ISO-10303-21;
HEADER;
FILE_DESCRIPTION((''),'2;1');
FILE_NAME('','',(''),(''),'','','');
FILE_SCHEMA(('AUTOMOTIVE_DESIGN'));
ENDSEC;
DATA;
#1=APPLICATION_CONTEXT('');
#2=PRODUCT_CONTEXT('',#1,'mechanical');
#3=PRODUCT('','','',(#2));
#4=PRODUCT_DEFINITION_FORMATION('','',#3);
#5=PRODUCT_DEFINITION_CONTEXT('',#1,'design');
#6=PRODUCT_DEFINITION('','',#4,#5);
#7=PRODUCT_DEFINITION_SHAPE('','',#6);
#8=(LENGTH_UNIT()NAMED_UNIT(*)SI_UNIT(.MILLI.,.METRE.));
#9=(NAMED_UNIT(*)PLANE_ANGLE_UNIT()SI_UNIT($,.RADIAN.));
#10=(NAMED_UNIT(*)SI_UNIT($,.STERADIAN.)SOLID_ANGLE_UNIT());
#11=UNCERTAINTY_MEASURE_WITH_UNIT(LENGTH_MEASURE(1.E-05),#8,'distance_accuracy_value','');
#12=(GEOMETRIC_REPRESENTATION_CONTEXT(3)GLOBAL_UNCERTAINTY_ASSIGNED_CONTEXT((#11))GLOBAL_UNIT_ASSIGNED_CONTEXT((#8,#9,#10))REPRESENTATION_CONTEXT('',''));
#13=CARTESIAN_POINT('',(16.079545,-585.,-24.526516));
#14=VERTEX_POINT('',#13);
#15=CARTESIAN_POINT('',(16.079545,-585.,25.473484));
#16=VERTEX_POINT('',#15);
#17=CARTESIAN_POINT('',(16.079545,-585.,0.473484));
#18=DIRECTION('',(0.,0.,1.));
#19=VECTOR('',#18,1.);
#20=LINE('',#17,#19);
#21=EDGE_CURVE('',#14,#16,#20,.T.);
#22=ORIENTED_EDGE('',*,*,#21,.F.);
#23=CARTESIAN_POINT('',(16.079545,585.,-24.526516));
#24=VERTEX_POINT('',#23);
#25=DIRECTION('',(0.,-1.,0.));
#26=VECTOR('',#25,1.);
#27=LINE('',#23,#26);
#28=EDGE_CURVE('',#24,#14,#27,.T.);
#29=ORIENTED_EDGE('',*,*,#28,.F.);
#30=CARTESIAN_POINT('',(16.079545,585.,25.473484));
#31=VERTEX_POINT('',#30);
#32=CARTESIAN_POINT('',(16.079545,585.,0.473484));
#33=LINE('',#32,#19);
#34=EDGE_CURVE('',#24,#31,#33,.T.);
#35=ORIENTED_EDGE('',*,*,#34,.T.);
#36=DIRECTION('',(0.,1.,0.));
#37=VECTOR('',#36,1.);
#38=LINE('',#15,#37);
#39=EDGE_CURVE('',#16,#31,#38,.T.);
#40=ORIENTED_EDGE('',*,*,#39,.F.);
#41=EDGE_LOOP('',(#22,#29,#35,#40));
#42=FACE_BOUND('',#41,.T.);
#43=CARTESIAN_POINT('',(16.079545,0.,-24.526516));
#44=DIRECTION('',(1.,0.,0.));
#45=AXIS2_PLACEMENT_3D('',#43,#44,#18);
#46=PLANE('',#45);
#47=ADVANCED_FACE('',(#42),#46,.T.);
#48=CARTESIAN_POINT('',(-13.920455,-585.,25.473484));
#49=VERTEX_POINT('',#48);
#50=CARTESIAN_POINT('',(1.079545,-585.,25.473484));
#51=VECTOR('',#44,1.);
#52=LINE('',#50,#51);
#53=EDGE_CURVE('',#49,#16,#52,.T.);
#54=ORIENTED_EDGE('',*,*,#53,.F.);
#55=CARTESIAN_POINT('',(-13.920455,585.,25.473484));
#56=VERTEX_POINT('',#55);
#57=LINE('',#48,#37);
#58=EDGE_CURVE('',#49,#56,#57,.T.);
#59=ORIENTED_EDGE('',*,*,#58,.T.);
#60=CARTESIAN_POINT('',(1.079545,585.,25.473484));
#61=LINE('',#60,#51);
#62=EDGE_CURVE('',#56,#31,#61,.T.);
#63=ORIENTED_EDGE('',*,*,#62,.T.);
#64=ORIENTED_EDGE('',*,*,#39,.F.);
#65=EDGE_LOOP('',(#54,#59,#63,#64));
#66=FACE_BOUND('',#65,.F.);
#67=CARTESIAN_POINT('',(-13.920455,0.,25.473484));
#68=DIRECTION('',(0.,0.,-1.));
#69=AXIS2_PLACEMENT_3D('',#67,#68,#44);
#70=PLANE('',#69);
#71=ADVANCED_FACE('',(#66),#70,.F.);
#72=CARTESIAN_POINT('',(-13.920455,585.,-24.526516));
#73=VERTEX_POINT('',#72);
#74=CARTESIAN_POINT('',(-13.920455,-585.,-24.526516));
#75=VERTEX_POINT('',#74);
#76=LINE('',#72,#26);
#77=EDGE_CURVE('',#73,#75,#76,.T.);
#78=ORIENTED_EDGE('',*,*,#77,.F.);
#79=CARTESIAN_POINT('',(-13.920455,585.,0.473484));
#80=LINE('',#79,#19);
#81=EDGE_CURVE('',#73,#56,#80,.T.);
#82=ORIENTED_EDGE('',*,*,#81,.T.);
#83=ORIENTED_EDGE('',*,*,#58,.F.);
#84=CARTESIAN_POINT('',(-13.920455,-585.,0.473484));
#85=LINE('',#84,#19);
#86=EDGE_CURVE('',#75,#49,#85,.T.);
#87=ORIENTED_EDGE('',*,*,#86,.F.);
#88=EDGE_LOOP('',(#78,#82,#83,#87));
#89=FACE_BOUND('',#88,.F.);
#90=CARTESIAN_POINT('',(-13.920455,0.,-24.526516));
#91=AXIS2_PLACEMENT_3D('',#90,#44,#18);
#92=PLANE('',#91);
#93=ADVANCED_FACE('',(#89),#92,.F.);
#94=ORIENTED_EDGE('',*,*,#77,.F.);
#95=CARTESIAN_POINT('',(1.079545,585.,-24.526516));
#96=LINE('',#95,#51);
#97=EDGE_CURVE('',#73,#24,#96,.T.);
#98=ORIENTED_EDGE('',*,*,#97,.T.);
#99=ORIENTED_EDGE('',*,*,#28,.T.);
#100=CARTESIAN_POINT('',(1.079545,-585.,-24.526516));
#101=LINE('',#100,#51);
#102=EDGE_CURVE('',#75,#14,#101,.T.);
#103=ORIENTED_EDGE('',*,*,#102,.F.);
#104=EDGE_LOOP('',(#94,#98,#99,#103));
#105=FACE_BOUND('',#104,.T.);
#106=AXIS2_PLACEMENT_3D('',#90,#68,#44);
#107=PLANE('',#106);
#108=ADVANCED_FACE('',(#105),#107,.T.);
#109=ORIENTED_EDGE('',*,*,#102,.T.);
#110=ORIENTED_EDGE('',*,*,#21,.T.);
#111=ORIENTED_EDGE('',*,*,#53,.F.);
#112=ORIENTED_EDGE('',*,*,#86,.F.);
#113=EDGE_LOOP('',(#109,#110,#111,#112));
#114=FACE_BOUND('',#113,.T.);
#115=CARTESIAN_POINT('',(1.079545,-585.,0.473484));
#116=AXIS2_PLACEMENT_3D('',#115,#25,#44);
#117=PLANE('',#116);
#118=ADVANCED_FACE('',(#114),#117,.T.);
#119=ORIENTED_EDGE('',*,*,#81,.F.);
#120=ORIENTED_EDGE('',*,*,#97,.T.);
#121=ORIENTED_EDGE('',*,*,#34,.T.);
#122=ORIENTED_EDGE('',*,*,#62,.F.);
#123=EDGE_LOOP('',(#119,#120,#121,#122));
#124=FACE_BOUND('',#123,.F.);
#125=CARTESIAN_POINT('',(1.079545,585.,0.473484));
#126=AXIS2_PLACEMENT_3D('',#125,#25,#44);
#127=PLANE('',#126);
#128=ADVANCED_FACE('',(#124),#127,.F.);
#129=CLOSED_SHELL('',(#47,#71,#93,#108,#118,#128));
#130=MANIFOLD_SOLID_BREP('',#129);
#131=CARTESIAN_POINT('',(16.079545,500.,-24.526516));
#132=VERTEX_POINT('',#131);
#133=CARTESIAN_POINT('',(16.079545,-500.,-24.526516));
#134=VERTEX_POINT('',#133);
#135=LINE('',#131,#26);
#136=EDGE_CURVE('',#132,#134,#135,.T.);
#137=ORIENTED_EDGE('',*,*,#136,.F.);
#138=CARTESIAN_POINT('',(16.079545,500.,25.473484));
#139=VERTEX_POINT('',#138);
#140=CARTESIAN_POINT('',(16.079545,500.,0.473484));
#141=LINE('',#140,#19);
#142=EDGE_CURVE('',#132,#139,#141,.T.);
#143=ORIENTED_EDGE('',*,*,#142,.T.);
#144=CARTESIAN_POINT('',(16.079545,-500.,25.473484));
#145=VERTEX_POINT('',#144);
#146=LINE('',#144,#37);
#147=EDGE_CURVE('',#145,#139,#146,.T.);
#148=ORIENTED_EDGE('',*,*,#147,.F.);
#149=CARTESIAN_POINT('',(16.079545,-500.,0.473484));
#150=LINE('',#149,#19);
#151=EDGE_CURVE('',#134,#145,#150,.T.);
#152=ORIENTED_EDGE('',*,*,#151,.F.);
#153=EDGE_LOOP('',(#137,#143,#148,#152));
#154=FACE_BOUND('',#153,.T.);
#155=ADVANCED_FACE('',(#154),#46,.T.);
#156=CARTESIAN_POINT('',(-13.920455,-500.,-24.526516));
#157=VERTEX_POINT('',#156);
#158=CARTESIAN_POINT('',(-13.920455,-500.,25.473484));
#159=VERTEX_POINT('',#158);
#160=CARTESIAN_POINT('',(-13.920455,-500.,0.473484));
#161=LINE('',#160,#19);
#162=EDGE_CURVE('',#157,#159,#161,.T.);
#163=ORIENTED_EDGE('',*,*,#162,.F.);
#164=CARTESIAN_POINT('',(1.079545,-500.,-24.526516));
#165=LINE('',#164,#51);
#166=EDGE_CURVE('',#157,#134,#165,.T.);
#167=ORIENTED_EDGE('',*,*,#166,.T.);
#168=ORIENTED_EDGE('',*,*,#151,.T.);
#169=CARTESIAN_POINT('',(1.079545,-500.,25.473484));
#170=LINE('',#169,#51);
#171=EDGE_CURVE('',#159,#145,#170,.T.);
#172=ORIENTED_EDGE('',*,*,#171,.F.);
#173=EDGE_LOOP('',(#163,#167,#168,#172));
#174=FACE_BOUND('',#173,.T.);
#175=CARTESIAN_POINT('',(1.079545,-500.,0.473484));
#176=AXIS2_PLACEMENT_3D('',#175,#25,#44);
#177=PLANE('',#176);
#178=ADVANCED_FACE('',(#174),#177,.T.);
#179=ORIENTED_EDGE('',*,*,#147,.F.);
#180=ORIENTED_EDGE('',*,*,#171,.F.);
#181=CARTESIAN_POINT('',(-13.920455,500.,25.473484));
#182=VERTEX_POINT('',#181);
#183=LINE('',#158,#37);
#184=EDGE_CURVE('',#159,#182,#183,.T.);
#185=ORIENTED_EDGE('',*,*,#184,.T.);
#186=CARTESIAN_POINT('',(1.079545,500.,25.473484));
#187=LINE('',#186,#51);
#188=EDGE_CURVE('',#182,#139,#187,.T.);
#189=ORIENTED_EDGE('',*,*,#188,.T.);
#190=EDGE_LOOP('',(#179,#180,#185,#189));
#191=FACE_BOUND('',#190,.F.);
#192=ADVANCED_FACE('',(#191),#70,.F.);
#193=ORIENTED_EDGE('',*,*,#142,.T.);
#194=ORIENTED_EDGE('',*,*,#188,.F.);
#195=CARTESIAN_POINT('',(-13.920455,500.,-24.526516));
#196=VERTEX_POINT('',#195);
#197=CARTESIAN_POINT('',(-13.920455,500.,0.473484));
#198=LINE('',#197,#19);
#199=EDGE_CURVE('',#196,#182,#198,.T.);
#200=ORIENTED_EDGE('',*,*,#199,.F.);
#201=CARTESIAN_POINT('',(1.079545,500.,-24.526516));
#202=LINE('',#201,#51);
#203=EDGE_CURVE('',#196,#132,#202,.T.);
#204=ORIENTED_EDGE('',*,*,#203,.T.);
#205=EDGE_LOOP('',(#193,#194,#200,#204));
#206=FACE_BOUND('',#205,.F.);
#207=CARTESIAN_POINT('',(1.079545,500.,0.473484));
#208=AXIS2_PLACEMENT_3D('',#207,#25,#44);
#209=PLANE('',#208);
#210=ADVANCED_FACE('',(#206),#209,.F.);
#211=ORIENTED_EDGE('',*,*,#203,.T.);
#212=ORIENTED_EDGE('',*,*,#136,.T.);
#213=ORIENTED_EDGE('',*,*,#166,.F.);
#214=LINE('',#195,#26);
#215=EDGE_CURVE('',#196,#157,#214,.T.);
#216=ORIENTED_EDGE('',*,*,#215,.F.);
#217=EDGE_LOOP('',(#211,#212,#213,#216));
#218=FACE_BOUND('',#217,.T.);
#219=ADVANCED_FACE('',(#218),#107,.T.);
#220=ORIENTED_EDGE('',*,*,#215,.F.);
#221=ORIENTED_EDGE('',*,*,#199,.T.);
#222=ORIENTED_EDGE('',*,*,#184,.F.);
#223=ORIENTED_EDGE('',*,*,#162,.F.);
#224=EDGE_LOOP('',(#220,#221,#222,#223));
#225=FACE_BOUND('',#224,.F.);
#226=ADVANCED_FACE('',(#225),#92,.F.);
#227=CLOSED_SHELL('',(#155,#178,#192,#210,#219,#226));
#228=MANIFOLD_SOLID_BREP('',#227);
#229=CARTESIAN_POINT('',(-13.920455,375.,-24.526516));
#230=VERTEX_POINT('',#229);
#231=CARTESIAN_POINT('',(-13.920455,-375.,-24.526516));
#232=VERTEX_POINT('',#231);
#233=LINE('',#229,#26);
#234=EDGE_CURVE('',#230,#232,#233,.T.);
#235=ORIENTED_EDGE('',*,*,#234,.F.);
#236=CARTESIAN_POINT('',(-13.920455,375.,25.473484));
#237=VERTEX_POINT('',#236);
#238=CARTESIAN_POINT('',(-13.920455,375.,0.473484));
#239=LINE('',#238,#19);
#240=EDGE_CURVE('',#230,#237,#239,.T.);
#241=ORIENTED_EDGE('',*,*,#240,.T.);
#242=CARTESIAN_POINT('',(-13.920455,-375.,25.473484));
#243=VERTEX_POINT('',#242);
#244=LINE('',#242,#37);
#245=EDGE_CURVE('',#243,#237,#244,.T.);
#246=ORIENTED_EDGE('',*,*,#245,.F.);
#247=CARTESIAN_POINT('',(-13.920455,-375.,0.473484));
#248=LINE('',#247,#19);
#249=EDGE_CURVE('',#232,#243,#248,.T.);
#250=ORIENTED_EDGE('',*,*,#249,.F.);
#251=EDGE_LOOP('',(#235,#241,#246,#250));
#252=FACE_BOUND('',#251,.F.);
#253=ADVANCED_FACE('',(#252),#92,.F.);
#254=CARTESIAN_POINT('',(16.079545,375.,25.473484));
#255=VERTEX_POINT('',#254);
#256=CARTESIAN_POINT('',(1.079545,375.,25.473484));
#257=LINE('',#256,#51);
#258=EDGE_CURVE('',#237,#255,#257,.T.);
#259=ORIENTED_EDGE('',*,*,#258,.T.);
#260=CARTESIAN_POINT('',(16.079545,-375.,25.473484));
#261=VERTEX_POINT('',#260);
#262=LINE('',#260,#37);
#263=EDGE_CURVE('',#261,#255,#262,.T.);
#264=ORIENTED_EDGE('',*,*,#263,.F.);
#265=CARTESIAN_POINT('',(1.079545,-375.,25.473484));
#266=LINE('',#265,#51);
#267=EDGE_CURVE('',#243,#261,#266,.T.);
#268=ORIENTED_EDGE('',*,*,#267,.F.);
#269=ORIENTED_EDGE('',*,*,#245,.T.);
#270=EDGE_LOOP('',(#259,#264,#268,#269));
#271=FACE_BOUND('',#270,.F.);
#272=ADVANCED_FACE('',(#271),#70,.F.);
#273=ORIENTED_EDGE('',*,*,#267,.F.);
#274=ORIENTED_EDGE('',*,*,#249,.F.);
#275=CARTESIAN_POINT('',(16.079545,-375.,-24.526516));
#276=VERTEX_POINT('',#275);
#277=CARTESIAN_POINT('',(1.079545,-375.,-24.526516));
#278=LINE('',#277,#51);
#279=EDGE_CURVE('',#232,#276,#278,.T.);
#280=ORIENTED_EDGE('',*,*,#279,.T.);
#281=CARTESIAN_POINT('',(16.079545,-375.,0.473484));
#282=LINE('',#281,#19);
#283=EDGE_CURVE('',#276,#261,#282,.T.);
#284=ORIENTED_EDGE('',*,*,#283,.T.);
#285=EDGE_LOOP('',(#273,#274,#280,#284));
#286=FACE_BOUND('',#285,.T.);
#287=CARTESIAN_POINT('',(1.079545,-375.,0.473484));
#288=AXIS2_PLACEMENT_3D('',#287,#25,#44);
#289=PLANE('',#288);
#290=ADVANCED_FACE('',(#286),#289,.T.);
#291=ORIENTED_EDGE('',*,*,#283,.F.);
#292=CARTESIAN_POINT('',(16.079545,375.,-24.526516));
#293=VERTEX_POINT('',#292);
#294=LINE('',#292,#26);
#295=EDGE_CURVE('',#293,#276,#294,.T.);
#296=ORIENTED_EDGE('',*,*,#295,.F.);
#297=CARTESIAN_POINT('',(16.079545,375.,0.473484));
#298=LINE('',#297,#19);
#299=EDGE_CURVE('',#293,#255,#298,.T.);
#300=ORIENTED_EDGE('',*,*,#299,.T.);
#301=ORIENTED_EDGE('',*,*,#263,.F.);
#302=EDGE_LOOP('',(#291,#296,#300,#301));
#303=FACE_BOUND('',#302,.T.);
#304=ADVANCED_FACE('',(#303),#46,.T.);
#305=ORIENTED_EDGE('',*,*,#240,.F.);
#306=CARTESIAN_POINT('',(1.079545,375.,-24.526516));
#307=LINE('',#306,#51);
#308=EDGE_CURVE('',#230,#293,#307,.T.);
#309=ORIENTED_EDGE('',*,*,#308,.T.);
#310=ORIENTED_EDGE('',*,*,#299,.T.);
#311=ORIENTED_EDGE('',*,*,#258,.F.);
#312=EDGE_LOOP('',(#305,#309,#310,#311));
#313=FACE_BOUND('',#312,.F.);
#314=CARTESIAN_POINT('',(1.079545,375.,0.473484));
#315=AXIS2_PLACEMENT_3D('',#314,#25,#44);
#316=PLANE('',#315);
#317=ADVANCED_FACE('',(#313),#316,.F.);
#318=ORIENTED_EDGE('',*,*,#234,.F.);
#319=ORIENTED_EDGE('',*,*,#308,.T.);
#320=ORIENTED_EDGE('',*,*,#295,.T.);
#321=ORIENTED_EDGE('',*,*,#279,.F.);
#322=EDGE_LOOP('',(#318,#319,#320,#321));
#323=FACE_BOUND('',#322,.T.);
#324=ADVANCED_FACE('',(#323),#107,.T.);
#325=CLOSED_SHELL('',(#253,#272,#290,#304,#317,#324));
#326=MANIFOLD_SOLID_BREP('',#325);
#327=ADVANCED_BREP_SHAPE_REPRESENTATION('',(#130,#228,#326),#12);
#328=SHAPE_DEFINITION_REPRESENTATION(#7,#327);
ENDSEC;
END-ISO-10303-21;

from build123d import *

# Parameters (mm, degrees)
F0_W     = 30
F0_H     = 50
F1_DEPTH = 585
F2_DEPTH = 500
F3_DEPTH = 375


with BuildPart() as f1:
    # F0 (on Front) → F1 (new body, symmetric)
    with BuildSketch(Plane.XZ):
        with Locations((1.079545, 0.473484)):
            Rectangle(F0_W, F0_H)
    extrude(amount=F1_DEPTH, both=True)


with BuildPart() as f2:
    # F0 (on Front) → F2 (new body, symmetric)
    with BuildSketch(Plane.XZ):
        with Locations((1.079545, 0.473484)):
            Rectangle(F0_W, F0_H)
    extrude(amount=F2_DEPTH, both=True)


with BuildPart() as f3:
    # F0 (on Front) → F3 (new body, symmetric)
    with BuildSketch(Plane.XZ):
        with Locations((1.079545, 0.473484)):
            Rectangle(F0_W, F0_H)
    extrude(amount=F3_DEPTH, both=True)


solid = Compound([f1.part, f2.part, f3.part])
